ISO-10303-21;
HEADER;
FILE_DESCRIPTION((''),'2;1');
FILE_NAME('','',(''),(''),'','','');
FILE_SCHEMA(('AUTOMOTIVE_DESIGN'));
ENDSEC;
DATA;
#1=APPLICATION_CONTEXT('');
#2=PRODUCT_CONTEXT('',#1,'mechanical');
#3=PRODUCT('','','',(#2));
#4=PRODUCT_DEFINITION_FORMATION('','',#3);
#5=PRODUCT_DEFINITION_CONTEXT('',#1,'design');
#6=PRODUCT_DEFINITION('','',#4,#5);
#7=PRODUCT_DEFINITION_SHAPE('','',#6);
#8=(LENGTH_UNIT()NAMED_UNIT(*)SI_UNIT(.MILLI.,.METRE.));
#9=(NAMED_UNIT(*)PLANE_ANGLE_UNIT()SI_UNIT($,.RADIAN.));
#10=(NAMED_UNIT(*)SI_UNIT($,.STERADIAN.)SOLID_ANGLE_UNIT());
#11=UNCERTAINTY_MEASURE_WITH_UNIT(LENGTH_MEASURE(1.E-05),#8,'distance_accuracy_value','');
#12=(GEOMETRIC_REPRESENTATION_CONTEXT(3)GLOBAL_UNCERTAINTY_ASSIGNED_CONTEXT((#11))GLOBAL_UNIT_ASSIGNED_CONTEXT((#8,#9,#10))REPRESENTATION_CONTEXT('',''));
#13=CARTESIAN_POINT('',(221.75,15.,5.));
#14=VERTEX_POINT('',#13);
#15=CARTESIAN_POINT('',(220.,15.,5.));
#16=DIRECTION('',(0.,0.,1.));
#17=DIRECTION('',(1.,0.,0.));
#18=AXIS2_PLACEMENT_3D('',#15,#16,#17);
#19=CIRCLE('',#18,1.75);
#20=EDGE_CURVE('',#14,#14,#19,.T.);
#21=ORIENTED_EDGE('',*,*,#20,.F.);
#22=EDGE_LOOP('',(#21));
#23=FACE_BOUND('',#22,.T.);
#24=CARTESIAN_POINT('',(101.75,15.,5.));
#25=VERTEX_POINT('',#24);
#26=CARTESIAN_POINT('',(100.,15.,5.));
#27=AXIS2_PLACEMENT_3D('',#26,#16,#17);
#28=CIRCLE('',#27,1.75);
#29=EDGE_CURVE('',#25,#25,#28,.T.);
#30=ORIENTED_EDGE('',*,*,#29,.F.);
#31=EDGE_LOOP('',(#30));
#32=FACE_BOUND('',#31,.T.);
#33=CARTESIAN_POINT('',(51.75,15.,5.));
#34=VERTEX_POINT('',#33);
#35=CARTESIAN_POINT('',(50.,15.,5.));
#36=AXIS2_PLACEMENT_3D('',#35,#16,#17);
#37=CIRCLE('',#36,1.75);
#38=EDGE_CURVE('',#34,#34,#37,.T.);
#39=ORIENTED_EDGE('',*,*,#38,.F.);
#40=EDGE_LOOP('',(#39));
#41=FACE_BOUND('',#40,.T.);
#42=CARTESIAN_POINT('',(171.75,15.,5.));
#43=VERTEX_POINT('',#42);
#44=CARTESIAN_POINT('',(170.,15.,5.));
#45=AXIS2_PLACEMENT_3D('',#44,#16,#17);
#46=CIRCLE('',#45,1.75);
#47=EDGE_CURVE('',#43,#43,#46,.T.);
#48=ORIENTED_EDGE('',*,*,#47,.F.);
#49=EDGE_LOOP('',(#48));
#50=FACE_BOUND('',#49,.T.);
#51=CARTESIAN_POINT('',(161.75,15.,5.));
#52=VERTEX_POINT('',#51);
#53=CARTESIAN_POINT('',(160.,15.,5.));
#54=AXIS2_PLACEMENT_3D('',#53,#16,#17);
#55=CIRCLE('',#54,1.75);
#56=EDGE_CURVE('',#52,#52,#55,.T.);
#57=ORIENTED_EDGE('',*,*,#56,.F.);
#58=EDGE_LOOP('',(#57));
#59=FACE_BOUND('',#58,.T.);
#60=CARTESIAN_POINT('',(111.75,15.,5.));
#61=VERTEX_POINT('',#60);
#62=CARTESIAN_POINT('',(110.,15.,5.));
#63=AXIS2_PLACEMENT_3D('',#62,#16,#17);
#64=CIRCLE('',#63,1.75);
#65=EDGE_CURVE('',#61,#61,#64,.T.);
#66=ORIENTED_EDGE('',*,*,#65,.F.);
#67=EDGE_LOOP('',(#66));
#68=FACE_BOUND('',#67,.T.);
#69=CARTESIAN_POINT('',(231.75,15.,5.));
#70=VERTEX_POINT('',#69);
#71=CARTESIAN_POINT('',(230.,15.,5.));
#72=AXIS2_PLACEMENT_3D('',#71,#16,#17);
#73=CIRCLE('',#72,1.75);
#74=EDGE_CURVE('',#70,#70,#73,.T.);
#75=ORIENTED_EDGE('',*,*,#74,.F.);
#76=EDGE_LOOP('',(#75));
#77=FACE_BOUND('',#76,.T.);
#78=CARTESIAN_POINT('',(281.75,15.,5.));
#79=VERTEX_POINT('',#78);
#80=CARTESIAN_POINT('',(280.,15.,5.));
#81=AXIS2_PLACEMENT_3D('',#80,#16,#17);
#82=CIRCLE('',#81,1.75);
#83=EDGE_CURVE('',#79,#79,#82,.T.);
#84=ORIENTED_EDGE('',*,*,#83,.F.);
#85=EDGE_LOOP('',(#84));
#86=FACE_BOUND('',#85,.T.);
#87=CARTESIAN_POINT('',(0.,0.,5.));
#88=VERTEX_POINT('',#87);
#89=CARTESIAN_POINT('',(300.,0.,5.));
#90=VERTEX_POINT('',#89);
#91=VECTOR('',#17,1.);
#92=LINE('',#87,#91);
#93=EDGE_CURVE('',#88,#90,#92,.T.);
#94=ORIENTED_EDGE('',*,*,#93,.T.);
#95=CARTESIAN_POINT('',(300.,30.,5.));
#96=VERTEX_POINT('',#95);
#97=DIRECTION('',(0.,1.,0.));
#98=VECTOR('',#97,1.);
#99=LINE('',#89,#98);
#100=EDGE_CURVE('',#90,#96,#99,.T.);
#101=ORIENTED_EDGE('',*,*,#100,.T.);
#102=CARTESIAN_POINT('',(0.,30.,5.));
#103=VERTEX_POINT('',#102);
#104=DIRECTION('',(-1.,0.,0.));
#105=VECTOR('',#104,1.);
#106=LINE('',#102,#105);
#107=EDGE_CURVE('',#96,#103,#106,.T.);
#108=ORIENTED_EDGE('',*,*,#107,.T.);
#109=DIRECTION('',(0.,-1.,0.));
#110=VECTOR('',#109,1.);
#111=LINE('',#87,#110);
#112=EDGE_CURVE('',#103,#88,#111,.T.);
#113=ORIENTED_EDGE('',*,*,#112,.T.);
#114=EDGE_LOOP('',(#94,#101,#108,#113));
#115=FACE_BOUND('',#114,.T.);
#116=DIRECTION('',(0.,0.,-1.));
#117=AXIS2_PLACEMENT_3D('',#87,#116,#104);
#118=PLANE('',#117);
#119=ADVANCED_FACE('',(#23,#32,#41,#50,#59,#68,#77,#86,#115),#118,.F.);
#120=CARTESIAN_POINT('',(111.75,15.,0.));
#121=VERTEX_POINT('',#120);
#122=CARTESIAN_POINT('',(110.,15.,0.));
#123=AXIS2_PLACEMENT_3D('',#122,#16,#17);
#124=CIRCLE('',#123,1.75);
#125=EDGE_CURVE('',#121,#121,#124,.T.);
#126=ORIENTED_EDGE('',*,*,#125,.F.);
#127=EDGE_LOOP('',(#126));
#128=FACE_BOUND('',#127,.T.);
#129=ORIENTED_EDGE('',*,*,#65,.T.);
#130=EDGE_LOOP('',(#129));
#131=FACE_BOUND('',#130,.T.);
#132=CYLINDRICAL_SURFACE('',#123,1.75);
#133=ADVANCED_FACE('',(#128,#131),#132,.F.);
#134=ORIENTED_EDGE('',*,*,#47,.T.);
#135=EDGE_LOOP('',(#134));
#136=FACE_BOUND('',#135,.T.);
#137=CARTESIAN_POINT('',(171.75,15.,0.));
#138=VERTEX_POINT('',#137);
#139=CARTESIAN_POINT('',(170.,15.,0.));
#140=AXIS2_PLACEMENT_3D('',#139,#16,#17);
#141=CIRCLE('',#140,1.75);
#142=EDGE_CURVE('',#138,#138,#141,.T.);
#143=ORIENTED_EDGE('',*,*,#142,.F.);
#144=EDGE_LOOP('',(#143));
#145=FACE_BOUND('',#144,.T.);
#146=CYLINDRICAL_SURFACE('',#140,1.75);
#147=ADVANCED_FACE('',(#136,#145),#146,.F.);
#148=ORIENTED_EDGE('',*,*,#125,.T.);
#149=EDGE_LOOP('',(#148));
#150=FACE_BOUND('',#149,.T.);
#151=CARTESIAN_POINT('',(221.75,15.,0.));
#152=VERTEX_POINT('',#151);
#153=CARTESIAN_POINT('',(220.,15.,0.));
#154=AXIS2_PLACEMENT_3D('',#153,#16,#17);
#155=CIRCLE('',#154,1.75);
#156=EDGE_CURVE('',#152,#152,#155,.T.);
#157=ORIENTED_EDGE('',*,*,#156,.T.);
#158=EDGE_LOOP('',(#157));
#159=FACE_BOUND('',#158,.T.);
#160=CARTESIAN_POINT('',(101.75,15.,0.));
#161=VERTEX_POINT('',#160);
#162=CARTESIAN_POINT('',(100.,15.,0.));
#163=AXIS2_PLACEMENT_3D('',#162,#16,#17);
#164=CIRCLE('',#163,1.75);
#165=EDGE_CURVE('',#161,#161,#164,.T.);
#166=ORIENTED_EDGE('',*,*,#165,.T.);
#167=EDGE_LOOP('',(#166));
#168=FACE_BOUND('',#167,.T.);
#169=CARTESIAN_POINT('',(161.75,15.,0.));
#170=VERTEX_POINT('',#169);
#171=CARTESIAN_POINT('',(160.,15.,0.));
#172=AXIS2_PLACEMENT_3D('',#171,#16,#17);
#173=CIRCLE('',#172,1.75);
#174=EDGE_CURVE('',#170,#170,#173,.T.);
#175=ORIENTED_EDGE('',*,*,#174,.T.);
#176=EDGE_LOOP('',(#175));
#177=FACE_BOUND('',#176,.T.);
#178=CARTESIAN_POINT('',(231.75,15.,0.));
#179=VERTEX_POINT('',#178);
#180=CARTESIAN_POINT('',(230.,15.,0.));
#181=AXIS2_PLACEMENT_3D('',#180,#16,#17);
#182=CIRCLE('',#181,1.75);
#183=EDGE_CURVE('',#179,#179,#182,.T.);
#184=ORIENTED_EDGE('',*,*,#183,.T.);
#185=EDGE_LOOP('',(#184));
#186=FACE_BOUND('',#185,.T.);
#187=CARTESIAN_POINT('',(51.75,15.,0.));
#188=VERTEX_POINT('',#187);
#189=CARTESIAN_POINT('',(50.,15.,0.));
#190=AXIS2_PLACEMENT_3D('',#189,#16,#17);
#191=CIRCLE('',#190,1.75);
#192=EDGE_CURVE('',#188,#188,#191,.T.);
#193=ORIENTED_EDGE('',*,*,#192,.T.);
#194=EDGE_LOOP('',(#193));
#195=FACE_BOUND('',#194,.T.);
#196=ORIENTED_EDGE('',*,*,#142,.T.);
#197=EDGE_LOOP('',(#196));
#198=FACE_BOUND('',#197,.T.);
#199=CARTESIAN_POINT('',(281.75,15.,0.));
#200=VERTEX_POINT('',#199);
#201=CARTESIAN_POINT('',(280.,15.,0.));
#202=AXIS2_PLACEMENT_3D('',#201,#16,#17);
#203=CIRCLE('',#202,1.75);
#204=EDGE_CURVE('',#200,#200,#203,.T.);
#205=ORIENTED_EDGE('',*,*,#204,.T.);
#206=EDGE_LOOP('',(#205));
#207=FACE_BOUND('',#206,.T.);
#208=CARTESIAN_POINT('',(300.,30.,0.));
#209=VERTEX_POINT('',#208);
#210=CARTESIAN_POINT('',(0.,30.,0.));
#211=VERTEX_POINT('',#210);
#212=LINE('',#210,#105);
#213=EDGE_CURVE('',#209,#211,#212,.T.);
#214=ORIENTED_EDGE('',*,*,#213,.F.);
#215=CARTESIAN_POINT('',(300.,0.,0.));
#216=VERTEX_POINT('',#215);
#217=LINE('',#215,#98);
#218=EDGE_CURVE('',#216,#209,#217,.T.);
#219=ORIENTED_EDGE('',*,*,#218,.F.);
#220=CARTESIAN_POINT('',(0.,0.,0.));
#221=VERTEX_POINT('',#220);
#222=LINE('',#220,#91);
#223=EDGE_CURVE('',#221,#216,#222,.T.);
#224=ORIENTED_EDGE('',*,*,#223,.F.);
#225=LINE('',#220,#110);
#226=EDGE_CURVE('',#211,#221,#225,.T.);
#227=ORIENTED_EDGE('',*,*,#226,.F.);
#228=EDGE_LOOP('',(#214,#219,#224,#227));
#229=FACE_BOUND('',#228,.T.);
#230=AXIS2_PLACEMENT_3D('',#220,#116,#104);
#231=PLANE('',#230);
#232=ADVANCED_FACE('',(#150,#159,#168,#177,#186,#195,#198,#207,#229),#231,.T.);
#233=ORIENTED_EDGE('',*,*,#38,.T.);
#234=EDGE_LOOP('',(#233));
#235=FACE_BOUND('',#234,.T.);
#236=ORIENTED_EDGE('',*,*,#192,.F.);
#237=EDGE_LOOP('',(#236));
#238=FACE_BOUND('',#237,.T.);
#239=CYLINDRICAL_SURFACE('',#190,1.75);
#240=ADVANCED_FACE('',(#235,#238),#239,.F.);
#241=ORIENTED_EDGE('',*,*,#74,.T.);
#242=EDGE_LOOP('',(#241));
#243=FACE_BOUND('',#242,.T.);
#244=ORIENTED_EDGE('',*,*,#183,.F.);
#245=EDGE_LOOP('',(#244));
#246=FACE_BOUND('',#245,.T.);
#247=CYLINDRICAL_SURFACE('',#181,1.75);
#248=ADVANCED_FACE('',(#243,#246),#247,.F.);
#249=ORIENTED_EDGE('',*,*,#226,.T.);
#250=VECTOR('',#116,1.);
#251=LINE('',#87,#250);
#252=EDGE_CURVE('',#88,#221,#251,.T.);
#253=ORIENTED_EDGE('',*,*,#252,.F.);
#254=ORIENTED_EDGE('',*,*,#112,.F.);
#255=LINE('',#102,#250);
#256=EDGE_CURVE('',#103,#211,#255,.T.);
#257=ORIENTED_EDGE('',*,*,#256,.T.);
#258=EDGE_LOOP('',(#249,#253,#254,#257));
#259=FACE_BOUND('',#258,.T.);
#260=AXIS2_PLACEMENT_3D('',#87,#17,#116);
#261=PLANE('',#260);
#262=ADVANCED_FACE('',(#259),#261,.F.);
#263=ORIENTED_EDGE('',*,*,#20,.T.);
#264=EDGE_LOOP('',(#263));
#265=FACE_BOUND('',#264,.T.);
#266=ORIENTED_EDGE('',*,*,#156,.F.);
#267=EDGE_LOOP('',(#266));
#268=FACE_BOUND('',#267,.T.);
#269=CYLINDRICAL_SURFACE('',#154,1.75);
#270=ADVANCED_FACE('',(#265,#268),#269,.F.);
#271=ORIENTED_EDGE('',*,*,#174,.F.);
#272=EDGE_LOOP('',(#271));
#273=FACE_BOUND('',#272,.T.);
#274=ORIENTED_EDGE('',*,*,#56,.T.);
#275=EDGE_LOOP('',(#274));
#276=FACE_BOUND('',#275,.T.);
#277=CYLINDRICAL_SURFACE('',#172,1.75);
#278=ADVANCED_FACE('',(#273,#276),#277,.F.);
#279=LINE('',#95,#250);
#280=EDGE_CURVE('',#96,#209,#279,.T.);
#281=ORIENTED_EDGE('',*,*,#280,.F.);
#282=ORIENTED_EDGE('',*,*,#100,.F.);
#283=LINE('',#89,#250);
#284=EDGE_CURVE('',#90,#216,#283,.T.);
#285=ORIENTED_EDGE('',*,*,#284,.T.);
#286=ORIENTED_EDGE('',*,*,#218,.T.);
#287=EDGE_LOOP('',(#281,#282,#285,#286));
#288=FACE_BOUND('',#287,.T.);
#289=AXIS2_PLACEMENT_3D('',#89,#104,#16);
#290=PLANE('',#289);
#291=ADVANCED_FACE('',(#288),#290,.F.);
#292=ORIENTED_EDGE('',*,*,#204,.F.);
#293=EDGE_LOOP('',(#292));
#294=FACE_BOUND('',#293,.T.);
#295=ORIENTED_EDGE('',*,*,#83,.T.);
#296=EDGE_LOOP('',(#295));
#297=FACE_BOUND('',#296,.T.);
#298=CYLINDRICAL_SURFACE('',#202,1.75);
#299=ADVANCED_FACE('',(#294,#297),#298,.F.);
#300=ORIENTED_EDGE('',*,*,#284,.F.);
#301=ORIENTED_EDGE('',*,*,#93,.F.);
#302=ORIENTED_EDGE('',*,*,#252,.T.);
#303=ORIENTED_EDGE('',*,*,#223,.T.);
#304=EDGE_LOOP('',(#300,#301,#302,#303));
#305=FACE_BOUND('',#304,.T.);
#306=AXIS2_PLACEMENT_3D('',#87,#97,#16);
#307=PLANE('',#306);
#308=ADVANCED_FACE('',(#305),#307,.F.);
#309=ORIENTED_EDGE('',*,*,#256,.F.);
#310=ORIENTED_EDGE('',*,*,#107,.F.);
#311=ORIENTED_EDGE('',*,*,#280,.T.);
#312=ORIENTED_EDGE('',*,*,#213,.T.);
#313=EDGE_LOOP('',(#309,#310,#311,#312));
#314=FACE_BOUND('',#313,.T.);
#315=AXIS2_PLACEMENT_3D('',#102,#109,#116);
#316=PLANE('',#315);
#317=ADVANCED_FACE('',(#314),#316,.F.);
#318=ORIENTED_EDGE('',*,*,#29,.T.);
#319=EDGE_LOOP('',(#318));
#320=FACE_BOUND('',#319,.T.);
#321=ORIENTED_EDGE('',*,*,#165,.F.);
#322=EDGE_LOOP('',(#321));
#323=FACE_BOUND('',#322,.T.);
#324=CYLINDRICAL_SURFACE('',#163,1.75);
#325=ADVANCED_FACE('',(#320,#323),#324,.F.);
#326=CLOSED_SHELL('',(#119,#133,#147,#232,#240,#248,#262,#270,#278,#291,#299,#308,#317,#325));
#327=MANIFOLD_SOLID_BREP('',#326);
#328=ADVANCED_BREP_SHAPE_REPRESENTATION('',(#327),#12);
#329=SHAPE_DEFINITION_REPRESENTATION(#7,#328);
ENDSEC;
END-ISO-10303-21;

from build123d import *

# Parameters (mm, degrees)
SKETCH1_W           = 300
SKETCH1_H           = 30
BOSS_EXTRUDE1_DEPTH = 5
SKETCH2_R           = 1.75
CUT_EXTRUDE1_DEPTH  = 6


with BuildPart() as part:
    # Sketch1 → Boss-Extrude1 (new body)
    with BuildSketch(Plane.XY):
        with Locations((150, 15)):
            Rectangle(SKETCH1_W, SKETCH1_H)
    extrude(amount=BOSS_EXTRUDE1_DEPTH)

    # Sketch2 → Cut-Extrude1 (cut, through all)
    with BuildSketch(Plane.XY.offset(5)):
        with Locations((280, 15)):
            Circle(SKETCH2_R)
        with Locations((230, 15)):
            Circle(SKETCH2_R)
        with Locations((170, 15)):
            Circle(SKETCH2_R)
        with Locations((220, 15)):
            Circle(SKETCH2_R)
        with Locations((110, 15)):
            Circle(SKETCH2_R)
        with Locations((160, 15)):
            Circle(SKETCH2_R)
        with Locations((50, 15)):
            Circle(SKETCH2_R)
        with Locations((100, 15)):
            Circle(SKETCH2_R)
    extrude(amount=-CUT_EXTRUDE1_DEPTH, mode=Mode.SUBTRACT)


solid = part.part
